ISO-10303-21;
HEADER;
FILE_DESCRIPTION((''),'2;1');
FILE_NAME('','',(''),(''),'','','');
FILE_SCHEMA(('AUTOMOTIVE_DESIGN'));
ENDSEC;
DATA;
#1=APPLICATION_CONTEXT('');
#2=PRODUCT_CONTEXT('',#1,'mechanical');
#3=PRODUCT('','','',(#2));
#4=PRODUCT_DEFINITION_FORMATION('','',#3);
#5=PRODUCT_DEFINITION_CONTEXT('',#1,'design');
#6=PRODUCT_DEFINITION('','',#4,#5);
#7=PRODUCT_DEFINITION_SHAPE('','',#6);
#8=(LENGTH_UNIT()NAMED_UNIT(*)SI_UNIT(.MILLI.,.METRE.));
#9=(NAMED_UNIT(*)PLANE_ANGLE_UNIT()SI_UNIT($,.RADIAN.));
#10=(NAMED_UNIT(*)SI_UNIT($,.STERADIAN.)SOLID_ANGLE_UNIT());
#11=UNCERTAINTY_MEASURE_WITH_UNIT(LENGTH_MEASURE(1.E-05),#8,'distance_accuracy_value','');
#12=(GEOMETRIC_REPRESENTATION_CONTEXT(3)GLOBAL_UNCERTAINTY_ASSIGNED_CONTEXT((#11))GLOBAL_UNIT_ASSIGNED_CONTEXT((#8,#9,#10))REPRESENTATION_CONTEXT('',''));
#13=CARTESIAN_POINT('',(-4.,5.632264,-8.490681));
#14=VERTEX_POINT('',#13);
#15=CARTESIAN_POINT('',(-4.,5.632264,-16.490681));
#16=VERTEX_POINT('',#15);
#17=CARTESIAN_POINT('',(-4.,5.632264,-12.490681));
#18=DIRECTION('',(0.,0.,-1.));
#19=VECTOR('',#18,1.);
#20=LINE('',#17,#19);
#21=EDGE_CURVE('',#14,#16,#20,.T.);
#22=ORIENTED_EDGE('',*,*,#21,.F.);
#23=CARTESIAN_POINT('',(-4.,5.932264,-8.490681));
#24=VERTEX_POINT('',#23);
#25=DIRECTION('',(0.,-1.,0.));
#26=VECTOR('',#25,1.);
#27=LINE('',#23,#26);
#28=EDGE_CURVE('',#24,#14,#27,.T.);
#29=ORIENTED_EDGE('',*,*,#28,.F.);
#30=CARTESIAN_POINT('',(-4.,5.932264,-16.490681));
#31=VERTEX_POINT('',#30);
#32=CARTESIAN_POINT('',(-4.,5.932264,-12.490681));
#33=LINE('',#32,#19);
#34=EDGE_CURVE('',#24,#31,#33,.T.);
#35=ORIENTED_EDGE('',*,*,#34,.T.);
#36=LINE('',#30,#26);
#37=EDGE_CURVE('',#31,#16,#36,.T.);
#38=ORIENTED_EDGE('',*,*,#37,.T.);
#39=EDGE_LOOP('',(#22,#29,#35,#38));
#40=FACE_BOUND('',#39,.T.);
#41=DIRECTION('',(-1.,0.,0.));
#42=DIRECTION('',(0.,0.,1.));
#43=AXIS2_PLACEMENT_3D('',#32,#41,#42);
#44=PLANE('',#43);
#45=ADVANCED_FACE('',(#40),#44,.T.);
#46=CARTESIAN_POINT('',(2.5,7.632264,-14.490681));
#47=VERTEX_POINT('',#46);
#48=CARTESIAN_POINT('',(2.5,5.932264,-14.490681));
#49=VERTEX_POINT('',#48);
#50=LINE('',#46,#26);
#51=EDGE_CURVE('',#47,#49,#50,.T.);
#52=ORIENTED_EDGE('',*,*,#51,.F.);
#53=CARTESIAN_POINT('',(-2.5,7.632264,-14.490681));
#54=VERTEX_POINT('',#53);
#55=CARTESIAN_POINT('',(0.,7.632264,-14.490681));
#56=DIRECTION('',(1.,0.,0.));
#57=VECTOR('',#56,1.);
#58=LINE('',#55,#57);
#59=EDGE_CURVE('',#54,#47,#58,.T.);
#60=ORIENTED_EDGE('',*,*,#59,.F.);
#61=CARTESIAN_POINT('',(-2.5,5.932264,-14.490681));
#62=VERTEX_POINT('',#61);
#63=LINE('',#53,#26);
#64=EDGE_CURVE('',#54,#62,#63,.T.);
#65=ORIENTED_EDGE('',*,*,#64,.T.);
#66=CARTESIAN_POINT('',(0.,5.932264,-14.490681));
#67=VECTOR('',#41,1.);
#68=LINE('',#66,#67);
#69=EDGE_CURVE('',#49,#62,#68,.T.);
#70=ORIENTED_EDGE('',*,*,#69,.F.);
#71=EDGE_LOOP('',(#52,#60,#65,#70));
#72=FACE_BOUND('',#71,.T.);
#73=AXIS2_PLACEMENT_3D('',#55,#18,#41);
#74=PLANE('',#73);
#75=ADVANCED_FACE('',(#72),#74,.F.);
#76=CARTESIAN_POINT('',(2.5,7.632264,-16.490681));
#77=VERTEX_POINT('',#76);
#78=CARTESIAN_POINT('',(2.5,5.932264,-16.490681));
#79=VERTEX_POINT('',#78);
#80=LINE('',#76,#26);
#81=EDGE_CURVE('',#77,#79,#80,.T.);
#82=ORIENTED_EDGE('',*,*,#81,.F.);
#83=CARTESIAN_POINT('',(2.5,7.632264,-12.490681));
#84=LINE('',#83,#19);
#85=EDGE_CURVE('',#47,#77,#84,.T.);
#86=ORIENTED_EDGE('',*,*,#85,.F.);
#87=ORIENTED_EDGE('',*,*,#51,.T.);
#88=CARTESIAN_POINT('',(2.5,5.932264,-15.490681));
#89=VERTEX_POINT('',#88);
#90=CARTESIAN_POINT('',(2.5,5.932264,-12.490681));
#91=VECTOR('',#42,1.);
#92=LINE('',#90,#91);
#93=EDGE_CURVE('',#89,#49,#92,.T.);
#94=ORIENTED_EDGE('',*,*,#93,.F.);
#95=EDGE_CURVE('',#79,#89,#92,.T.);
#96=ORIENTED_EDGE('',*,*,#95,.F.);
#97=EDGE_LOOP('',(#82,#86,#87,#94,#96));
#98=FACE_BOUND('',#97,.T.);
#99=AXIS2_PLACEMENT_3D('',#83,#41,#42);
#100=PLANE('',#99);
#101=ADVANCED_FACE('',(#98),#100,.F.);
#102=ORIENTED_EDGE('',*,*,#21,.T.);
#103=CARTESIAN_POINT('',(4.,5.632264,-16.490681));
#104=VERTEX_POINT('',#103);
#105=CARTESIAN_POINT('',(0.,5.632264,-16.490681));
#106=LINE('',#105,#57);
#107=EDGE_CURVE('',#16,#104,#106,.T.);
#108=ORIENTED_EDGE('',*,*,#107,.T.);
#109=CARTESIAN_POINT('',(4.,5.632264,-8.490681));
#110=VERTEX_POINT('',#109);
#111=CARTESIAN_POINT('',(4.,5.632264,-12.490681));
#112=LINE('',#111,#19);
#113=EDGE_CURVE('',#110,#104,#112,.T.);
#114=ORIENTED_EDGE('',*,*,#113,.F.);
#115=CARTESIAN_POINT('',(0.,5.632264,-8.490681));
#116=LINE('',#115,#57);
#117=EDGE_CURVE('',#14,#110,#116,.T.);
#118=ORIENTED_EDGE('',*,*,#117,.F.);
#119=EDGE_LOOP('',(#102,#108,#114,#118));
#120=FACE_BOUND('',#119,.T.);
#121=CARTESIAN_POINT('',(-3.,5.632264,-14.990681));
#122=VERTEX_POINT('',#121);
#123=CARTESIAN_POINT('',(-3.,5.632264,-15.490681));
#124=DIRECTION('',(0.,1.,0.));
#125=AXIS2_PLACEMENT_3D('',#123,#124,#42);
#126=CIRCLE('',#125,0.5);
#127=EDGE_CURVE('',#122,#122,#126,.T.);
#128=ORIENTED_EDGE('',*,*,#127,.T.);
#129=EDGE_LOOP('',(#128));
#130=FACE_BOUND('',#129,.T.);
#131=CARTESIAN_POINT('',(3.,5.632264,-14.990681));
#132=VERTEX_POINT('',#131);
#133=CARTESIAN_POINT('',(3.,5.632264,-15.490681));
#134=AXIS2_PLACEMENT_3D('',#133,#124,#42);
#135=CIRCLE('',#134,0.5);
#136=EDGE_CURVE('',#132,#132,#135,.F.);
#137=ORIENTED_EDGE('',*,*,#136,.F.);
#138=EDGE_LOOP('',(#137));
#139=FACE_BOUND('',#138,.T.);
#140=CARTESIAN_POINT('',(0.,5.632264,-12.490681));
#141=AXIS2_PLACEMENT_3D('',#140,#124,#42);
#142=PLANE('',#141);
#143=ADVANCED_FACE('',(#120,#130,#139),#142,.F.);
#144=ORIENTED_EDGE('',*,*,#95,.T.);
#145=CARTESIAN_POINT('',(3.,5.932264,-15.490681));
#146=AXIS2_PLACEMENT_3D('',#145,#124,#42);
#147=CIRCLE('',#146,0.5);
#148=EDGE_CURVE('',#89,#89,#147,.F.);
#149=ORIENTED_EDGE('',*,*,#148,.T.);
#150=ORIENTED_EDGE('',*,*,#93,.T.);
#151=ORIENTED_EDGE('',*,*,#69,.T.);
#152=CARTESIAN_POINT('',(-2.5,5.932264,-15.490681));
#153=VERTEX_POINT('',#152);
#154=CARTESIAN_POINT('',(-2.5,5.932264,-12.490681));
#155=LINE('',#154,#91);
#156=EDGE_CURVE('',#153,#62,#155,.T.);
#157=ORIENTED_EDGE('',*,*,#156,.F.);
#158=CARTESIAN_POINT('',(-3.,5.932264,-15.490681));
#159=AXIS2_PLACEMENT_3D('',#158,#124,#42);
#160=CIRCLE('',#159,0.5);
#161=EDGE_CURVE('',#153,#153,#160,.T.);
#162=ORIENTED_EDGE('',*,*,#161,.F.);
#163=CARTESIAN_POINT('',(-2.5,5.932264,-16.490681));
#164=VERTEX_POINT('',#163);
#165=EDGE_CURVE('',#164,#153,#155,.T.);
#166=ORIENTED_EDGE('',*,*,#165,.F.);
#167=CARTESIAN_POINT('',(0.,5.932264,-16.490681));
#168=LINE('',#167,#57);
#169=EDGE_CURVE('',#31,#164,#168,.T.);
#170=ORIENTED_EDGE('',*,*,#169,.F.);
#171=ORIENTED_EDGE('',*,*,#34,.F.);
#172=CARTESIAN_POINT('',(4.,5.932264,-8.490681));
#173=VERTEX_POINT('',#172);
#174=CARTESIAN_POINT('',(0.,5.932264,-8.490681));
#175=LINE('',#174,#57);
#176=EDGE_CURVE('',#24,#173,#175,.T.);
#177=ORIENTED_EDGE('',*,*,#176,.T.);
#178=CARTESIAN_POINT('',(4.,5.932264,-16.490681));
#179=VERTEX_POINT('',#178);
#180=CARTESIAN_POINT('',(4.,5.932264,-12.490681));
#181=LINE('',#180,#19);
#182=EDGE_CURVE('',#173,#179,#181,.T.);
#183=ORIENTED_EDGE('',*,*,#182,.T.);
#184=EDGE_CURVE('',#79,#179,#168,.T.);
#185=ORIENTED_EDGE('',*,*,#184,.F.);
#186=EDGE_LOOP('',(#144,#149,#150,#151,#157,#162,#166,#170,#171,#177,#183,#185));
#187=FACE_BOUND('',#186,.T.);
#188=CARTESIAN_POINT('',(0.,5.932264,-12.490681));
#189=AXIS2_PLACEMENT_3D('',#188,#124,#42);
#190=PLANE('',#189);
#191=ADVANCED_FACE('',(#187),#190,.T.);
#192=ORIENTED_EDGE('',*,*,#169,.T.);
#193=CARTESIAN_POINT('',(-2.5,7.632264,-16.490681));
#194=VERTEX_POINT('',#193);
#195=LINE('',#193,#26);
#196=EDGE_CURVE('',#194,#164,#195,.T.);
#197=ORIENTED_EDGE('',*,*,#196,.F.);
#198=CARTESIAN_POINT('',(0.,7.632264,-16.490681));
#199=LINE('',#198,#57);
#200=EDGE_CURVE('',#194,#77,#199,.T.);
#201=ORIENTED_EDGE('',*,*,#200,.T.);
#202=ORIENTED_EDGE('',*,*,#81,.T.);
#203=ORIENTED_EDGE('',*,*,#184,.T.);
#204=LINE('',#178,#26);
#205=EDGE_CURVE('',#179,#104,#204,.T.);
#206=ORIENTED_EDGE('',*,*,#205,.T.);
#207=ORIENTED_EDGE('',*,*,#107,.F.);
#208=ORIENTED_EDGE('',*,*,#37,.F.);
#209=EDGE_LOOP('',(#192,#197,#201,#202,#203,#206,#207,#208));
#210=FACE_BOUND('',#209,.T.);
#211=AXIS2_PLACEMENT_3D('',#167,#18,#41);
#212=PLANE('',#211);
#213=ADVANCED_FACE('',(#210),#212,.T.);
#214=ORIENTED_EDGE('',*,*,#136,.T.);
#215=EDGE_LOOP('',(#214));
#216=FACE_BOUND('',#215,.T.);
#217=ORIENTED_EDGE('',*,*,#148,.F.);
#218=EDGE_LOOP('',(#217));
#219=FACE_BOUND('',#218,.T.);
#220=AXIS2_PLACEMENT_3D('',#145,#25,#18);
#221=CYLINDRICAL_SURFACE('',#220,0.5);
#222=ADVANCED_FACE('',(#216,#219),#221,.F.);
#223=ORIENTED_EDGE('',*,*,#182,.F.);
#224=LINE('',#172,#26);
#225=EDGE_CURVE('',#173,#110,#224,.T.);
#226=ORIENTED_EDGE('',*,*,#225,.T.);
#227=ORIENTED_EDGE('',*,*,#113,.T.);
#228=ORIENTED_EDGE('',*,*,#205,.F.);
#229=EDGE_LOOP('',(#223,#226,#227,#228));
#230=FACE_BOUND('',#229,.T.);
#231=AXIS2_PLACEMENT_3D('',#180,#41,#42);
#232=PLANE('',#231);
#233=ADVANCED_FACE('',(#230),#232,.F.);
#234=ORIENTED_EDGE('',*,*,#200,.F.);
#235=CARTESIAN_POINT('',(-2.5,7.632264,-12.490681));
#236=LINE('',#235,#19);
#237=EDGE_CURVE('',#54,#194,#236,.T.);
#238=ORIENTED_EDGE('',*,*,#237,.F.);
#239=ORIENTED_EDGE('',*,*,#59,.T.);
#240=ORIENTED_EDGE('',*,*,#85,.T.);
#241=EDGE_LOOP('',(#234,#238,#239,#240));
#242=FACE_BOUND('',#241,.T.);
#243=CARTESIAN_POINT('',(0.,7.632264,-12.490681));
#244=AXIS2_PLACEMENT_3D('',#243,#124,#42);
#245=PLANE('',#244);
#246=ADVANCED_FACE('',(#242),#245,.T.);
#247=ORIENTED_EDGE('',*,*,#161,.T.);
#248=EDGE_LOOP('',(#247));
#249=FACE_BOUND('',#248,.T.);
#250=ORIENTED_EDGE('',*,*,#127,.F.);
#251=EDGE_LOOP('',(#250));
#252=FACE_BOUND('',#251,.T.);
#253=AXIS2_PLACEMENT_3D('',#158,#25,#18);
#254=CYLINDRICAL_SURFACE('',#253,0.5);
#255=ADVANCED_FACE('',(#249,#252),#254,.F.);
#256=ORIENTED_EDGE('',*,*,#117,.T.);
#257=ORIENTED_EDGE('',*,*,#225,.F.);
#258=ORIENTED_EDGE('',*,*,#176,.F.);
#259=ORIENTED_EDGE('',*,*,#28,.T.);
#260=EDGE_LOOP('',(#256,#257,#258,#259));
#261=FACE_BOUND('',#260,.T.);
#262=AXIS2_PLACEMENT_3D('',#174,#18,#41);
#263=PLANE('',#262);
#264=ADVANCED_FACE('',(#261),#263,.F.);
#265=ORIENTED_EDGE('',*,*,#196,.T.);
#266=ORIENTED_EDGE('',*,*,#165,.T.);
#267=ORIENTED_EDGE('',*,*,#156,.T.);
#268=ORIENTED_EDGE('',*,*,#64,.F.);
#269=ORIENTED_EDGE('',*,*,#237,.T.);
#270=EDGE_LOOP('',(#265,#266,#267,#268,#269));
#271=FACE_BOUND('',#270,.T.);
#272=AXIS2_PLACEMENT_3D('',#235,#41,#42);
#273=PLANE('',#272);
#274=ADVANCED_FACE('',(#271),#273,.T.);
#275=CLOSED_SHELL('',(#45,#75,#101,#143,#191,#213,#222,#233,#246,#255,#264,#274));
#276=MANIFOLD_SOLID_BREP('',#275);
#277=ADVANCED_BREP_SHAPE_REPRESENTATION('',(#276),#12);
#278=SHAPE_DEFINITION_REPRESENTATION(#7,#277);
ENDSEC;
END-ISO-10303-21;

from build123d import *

# Parameters (mm, degrees)
SKETCH1_W           = 80
SKETCH1_H           = 80
SKETCH1_R           = 5
BOSS_EXTRUDE2_DEPTH = 3
BOSS_EXTRUDE3_DEPTH = 20
SCALE2_SCALE        = 0.1


with BuildPart() as part:
    # Sketch1 → Boss-Extrude2 (new body)
    with BuildSketch(Plane(origin=(0, 0, 0), x_dir=(1, 0, 0), z_dir=(0, 1, 0))):
        Rectangle(SKETCH1_W, SKETCH1_H)
        with Locations((-30, 30)):
            Circle(SKETCH1_R, mode=Mode.SUBTRACT)
        with Locations((30, 30)):
            Circle(SKETCH1_R, mode=Mode.SUBTRACT)
    extrude(amount=BOSS_EXTRUDE2_DEPTH)

    # Sketch1<5> → Boss-Extrude3 (add)
    with BuildSketch(Plane(origin=(0, 0, 0), x_dir=(1, 0, 0), z_dir=(0, 1, 0))):
        Polygon((25, 40), (-25, 40), (-25, 30), (-25, 20), (25, 20), (25, 30), align=None)
    extrude(amount=BOSS_EXTRUDE3_DEPTH)


with BuildPart() as part_1:
    # Scale2: scaled about (0, 6.258071502, -13.878534205)
    add(part.part.scale(SCALE2_SCALE).moved(Location((0, 5.632264352, -12.490680785))))


solid = part_1.part
